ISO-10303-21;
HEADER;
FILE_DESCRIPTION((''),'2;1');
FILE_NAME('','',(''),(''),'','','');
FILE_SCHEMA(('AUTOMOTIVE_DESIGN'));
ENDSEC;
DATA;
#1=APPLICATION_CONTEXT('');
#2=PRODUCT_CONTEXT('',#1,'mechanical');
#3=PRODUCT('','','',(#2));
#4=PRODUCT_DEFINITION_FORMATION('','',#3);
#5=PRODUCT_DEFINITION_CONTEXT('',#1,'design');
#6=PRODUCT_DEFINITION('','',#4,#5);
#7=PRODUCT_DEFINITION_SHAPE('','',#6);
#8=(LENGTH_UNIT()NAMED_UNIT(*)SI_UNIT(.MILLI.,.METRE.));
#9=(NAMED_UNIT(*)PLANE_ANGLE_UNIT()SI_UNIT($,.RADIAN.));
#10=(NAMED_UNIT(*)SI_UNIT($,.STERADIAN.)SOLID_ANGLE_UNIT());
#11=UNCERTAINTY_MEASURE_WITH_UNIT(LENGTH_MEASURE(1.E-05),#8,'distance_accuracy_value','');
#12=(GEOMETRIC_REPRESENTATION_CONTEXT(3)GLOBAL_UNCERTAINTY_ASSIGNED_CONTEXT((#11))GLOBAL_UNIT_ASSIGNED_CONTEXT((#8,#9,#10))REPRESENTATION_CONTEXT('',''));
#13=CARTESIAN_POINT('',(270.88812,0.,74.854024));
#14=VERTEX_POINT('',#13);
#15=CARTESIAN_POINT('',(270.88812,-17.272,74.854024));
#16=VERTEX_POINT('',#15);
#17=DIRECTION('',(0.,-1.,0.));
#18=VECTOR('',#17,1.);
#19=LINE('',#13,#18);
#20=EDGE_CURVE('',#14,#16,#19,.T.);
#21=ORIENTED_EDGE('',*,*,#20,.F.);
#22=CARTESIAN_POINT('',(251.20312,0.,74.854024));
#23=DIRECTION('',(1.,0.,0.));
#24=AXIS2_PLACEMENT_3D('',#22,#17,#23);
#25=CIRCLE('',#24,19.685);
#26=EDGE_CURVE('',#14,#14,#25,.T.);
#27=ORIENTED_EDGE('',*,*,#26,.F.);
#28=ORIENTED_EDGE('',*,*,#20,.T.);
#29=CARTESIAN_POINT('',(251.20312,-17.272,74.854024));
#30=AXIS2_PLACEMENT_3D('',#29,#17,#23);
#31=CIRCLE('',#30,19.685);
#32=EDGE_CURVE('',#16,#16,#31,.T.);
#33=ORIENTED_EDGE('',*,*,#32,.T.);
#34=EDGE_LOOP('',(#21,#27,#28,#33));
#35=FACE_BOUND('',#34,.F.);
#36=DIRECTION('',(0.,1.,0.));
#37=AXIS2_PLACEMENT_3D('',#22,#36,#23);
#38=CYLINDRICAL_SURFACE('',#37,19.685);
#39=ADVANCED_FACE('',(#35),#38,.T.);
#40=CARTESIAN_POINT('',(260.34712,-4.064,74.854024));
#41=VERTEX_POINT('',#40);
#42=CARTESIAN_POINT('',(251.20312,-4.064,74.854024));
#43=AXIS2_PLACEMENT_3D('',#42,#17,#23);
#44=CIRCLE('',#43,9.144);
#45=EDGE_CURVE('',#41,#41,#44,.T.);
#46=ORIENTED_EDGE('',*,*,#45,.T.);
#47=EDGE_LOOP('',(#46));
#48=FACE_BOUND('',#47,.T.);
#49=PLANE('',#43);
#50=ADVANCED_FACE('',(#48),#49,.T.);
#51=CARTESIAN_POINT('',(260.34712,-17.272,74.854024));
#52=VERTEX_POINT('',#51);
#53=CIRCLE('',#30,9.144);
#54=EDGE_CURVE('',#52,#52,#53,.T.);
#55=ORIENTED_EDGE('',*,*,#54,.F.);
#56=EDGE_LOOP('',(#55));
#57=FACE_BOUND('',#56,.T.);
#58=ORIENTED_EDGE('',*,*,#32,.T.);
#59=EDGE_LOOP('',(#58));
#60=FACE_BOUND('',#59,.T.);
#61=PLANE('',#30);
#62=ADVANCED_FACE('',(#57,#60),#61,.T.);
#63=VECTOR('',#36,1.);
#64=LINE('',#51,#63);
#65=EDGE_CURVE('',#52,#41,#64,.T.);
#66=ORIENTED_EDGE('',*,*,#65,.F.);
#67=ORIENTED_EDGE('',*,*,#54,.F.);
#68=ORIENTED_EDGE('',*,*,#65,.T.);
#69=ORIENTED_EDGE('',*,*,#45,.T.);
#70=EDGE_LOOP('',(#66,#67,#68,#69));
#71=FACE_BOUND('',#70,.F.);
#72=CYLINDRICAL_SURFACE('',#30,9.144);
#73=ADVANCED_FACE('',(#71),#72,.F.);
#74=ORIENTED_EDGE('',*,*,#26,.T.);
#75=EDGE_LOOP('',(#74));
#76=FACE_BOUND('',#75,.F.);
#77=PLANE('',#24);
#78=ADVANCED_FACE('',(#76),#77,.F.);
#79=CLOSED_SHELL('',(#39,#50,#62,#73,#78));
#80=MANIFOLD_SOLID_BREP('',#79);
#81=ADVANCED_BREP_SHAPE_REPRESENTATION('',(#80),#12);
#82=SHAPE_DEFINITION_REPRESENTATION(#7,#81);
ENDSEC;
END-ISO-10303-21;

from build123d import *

# Parameters (mm, degrees)
F0_R     = 19.685
F1_DEPTH = 17.272
F2_R     = 9.144
F3_DEPTH = 13.208
F4_R     = 1.999421
F5_DEPTH = 25.4


with BuildPart() as f1:
    # F0 (on Front) → F1 (new body)
    with BuildSketch(Plane.XZ):
        with Locations((251.20312, 74.854024)):
            Circle(F0_R)
    extrude(amount=F1_DEPTH)

    # F2 (on face) → F3 (cut)
    with BuildSketch(Plane.XZ.offset(17.272)):
        with Locations((251.20312, 74.854024)):
            Circle(F2_R)
    extrude(amount=-F3_DEPTH, mode=Mode.SUBTRACT)

    # F4 (on face) → F5 (cut)
    with BuildSketch(Plane.XZ.offset(4.064)):
        with Locations((125.80603, 237.004958)):
            Circle(F4_R)
        with Locations((-78.629516, 256.54611)):
            Circle(F4_R)
        with Locations((-237.004958, 125.80603)):
            Circle(F4_R)
        with Locations((-256.54611, -78.629516)):
            Circle(F4_R)
        with Locations((-125.80603, -237.004958)):
            Circle(F4_R)
        with Locations((78.629516, -256.54611)):
            Circle(F4_R)
        with Locations((237.004958, -125.80603)):
            Circle(F4_R)
    extrude(amount=-F5_DEPTH, mode=Mode.SUBTRACT)


solid = f1.part
